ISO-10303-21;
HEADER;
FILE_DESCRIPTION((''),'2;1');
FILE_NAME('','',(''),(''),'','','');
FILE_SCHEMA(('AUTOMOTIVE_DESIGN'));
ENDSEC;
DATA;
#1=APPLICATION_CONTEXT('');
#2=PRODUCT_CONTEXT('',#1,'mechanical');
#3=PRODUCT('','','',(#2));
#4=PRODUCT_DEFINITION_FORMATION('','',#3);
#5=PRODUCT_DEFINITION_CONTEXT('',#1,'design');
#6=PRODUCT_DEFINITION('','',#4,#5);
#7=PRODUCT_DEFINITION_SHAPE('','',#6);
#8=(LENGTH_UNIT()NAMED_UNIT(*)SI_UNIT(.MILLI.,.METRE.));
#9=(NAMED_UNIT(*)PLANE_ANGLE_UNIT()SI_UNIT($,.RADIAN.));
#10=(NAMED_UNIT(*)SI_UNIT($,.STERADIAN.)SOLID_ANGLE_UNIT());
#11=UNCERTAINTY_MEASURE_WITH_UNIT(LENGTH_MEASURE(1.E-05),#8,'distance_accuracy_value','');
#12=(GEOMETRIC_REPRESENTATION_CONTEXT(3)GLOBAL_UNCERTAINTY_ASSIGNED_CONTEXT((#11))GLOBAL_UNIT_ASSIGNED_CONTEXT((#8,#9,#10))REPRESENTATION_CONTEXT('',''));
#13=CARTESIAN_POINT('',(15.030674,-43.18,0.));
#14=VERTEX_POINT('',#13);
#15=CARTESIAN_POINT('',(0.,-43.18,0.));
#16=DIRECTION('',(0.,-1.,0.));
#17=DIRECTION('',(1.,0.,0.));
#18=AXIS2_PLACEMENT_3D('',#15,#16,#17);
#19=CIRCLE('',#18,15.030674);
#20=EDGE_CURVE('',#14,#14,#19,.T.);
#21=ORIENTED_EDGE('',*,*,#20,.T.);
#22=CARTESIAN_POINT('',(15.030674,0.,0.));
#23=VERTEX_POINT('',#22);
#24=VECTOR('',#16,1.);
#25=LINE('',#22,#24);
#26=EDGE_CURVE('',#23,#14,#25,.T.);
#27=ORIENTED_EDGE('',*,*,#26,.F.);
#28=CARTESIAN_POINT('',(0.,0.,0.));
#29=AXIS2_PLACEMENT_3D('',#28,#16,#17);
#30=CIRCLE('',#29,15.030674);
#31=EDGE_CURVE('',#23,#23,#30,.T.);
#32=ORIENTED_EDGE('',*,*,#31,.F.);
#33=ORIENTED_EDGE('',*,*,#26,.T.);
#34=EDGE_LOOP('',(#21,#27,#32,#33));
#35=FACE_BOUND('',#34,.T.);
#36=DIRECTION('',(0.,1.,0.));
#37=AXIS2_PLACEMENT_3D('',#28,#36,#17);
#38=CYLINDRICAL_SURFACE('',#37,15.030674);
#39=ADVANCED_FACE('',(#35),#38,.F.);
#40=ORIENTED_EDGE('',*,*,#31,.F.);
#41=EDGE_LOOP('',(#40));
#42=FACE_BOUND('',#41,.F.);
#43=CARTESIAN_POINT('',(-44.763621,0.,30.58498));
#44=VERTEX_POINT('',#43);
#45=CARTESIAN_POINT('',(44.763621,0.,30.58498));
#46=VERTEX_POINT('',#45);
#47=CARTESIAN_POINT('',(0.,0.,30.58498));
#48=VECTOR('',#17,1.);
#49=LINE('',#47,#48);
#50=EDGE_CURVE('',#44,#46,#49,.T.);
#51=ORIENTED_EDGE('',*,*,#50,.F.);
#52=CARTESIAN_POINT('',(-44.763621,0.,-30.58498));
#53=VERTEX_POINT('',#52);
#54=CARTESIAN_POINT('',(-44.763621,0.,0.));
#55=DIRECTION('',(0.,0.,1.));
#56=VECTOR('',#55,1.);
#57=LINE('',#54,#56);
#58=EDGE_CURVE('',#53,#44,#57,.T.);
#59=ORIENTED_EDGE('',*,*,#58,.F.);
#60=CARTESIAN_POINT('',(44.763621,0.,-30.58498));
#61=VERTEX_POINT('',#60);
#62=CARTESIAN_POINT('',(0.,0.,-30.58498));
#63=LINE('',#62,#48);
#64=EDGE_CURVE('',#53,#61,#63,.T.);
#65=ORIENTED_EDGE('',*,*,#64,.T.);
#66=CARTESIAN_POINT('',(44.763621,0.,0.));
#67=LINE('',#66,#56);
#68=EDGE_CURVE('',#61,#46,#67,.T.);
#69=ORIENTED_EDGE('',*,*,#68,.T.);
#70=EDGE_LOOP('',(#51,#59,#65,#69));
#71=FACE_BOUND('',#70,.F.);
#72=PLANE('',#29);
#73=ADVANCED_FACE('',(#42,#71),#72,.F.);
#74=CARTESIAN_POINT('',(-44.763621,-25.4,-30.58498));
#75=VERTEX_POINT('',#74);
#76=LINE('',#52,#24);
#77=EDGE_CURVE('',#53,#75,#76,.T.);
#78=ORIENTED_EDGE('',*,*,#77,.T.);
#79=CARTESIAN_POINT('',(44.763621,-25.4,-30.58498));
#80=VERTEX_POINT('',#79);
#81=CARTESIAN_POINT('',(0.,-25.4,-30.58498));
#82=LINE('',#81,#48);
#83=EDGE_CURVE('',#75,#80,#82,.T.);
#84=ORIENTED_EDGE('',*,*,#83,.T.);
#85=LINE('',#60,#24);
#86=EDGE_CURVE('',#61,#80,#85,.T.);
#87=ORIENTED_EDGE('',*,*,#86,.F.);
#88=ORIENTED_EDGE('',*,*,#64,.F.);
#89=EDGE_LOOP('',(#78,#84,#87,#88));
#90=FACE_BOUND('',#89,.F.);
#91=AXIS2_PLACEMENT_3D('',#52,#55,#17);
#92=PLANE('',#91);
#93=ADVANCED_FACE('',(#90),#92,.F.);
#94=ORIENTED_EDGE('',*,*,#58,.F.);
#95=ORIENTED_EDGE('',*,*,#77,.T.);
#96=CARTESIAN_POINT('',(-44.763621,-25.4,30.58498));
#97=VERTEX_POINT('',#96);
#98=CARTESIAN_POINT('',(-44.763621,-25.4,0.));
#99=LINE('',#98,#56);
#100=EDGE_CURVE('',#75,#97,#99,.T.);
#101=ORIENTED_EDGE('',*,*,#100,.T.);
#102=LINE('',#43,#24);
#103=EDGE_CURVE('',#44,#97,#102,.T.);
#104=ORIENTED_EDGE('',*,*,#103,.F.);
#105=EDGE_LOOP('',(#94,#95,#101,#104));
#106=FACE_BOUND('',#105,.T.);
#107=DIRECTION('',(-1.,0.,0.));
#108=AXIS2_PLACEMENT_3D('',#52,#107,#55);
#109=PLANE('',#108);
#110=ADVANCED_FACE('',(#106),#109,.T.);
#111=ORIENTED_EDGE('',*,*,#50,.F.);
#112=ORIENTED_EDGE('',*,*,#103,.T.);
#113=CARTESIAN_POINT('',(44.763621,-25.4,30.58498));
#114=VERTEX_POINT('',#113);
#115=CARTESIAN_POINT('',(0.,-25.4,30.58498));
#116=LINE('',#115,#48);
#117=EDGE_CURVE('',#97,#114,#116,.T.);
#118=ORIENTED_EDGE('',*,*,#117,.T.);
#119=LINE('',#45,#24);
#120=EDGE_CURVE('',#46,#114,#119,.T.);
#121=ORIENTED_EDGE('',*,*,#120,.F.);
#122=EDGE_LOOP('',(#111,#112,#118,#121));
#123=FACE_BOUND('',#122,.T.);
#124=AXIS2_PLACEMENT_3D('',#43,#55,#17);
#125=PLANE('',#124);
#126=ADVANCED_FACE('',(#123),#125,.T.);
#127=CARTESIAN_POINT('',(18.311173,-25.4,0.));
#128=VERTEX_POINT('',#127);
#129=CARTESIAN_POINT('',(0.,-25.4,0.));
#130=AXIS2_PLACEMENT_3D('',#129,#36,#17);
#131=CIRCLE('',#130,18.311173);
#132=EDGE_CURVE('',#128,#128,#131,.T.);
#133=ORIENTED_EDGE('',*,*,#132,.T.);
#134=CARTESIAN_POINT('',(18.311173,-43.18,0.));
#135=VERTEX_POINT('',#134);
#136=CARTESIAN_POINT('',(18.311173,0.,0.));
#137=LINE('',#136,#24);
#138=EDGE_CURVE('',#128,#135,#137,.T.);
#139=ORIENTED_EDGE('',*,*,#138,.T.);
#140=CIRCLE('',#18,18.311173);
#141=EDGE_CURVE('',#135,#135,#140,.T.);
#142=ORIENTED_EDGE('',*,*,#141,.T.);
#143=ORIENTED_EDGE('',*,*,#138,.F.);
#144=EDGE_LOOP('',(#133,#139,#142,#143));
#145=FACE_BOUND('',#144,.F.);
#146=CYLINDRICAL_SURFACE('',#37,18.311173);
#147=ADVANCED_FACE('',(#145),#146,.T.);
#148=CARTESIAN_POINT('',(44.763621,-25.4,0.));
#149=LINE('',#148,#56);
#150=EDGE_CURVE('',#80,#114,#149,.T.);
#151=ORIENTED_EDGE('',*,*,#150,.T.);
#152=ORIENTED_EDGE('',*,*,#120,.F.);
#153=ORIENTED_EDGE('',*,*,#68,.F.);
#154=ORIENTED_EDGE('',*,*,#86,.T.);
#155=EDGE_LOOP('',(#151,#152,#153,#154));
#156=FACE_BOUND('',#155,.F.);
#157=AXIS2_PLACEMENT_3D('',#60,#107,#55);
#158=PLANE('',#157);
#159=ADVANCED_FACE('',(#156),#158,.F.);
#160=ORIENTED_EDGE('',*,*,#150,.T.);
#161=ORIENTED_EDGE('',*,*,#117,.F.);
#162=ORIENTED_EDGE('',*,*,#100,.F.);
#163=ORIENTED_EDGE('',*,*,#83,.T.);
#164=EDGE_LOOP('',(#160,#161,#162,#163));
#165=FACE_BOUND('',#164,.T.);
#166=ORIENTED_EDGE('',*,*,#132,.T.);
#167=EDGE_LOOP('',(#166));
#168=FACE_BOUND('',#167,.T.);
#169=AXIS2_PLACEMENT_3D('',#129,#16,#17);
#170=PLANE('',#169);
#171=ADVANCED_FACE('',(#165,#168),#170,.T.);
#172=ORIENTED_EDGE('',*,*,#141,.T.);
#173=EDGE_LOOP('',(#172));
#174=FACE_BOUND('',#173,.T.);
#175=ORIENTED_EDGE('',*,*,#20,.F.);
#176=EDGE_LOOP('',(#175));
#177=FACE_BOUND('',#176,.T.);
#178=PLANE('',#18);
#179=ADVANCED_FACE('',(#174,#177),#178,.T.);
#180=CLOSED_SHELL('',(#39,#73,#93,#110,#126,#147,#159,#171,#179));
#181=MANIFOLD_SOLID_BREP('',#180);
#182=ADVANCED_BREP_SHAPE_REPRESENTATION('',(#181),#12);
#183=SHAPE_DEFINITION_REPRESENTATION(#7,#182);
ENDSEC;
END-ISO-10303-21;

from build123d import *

# Parameters (mm, degrees)
F0_W     = 89.527242
F0_H     = 61.16996
F0_R     = 18.311173
F0_R_2   = 15.030674
F1_DEPTH = 25.4
F2_DEPTH = 43.18


with BuildPart() as f1:
    # F0 (on Front) → F1 (new body)
    with BuildSketch(Plane.XZ):
        Rectangle(F0_W, F0_H)
        Circle(F0_R, mode=Mode.SUBTRACT)
        Circle(F0_R)
        Circle(F0_R_2, mode=Mode.SUBTRACT)
    extrude(amount=F1_DEPTH)

    # F0 (on Front) → F2 (join)
    with BuildSketch(Plane.XZ):
        Circle(F0_R)
        Circle(F0_R_2, mode=Mode.SUBTRACT)
    extrude(amount=F2_DEPTH)


solid = f1.part
